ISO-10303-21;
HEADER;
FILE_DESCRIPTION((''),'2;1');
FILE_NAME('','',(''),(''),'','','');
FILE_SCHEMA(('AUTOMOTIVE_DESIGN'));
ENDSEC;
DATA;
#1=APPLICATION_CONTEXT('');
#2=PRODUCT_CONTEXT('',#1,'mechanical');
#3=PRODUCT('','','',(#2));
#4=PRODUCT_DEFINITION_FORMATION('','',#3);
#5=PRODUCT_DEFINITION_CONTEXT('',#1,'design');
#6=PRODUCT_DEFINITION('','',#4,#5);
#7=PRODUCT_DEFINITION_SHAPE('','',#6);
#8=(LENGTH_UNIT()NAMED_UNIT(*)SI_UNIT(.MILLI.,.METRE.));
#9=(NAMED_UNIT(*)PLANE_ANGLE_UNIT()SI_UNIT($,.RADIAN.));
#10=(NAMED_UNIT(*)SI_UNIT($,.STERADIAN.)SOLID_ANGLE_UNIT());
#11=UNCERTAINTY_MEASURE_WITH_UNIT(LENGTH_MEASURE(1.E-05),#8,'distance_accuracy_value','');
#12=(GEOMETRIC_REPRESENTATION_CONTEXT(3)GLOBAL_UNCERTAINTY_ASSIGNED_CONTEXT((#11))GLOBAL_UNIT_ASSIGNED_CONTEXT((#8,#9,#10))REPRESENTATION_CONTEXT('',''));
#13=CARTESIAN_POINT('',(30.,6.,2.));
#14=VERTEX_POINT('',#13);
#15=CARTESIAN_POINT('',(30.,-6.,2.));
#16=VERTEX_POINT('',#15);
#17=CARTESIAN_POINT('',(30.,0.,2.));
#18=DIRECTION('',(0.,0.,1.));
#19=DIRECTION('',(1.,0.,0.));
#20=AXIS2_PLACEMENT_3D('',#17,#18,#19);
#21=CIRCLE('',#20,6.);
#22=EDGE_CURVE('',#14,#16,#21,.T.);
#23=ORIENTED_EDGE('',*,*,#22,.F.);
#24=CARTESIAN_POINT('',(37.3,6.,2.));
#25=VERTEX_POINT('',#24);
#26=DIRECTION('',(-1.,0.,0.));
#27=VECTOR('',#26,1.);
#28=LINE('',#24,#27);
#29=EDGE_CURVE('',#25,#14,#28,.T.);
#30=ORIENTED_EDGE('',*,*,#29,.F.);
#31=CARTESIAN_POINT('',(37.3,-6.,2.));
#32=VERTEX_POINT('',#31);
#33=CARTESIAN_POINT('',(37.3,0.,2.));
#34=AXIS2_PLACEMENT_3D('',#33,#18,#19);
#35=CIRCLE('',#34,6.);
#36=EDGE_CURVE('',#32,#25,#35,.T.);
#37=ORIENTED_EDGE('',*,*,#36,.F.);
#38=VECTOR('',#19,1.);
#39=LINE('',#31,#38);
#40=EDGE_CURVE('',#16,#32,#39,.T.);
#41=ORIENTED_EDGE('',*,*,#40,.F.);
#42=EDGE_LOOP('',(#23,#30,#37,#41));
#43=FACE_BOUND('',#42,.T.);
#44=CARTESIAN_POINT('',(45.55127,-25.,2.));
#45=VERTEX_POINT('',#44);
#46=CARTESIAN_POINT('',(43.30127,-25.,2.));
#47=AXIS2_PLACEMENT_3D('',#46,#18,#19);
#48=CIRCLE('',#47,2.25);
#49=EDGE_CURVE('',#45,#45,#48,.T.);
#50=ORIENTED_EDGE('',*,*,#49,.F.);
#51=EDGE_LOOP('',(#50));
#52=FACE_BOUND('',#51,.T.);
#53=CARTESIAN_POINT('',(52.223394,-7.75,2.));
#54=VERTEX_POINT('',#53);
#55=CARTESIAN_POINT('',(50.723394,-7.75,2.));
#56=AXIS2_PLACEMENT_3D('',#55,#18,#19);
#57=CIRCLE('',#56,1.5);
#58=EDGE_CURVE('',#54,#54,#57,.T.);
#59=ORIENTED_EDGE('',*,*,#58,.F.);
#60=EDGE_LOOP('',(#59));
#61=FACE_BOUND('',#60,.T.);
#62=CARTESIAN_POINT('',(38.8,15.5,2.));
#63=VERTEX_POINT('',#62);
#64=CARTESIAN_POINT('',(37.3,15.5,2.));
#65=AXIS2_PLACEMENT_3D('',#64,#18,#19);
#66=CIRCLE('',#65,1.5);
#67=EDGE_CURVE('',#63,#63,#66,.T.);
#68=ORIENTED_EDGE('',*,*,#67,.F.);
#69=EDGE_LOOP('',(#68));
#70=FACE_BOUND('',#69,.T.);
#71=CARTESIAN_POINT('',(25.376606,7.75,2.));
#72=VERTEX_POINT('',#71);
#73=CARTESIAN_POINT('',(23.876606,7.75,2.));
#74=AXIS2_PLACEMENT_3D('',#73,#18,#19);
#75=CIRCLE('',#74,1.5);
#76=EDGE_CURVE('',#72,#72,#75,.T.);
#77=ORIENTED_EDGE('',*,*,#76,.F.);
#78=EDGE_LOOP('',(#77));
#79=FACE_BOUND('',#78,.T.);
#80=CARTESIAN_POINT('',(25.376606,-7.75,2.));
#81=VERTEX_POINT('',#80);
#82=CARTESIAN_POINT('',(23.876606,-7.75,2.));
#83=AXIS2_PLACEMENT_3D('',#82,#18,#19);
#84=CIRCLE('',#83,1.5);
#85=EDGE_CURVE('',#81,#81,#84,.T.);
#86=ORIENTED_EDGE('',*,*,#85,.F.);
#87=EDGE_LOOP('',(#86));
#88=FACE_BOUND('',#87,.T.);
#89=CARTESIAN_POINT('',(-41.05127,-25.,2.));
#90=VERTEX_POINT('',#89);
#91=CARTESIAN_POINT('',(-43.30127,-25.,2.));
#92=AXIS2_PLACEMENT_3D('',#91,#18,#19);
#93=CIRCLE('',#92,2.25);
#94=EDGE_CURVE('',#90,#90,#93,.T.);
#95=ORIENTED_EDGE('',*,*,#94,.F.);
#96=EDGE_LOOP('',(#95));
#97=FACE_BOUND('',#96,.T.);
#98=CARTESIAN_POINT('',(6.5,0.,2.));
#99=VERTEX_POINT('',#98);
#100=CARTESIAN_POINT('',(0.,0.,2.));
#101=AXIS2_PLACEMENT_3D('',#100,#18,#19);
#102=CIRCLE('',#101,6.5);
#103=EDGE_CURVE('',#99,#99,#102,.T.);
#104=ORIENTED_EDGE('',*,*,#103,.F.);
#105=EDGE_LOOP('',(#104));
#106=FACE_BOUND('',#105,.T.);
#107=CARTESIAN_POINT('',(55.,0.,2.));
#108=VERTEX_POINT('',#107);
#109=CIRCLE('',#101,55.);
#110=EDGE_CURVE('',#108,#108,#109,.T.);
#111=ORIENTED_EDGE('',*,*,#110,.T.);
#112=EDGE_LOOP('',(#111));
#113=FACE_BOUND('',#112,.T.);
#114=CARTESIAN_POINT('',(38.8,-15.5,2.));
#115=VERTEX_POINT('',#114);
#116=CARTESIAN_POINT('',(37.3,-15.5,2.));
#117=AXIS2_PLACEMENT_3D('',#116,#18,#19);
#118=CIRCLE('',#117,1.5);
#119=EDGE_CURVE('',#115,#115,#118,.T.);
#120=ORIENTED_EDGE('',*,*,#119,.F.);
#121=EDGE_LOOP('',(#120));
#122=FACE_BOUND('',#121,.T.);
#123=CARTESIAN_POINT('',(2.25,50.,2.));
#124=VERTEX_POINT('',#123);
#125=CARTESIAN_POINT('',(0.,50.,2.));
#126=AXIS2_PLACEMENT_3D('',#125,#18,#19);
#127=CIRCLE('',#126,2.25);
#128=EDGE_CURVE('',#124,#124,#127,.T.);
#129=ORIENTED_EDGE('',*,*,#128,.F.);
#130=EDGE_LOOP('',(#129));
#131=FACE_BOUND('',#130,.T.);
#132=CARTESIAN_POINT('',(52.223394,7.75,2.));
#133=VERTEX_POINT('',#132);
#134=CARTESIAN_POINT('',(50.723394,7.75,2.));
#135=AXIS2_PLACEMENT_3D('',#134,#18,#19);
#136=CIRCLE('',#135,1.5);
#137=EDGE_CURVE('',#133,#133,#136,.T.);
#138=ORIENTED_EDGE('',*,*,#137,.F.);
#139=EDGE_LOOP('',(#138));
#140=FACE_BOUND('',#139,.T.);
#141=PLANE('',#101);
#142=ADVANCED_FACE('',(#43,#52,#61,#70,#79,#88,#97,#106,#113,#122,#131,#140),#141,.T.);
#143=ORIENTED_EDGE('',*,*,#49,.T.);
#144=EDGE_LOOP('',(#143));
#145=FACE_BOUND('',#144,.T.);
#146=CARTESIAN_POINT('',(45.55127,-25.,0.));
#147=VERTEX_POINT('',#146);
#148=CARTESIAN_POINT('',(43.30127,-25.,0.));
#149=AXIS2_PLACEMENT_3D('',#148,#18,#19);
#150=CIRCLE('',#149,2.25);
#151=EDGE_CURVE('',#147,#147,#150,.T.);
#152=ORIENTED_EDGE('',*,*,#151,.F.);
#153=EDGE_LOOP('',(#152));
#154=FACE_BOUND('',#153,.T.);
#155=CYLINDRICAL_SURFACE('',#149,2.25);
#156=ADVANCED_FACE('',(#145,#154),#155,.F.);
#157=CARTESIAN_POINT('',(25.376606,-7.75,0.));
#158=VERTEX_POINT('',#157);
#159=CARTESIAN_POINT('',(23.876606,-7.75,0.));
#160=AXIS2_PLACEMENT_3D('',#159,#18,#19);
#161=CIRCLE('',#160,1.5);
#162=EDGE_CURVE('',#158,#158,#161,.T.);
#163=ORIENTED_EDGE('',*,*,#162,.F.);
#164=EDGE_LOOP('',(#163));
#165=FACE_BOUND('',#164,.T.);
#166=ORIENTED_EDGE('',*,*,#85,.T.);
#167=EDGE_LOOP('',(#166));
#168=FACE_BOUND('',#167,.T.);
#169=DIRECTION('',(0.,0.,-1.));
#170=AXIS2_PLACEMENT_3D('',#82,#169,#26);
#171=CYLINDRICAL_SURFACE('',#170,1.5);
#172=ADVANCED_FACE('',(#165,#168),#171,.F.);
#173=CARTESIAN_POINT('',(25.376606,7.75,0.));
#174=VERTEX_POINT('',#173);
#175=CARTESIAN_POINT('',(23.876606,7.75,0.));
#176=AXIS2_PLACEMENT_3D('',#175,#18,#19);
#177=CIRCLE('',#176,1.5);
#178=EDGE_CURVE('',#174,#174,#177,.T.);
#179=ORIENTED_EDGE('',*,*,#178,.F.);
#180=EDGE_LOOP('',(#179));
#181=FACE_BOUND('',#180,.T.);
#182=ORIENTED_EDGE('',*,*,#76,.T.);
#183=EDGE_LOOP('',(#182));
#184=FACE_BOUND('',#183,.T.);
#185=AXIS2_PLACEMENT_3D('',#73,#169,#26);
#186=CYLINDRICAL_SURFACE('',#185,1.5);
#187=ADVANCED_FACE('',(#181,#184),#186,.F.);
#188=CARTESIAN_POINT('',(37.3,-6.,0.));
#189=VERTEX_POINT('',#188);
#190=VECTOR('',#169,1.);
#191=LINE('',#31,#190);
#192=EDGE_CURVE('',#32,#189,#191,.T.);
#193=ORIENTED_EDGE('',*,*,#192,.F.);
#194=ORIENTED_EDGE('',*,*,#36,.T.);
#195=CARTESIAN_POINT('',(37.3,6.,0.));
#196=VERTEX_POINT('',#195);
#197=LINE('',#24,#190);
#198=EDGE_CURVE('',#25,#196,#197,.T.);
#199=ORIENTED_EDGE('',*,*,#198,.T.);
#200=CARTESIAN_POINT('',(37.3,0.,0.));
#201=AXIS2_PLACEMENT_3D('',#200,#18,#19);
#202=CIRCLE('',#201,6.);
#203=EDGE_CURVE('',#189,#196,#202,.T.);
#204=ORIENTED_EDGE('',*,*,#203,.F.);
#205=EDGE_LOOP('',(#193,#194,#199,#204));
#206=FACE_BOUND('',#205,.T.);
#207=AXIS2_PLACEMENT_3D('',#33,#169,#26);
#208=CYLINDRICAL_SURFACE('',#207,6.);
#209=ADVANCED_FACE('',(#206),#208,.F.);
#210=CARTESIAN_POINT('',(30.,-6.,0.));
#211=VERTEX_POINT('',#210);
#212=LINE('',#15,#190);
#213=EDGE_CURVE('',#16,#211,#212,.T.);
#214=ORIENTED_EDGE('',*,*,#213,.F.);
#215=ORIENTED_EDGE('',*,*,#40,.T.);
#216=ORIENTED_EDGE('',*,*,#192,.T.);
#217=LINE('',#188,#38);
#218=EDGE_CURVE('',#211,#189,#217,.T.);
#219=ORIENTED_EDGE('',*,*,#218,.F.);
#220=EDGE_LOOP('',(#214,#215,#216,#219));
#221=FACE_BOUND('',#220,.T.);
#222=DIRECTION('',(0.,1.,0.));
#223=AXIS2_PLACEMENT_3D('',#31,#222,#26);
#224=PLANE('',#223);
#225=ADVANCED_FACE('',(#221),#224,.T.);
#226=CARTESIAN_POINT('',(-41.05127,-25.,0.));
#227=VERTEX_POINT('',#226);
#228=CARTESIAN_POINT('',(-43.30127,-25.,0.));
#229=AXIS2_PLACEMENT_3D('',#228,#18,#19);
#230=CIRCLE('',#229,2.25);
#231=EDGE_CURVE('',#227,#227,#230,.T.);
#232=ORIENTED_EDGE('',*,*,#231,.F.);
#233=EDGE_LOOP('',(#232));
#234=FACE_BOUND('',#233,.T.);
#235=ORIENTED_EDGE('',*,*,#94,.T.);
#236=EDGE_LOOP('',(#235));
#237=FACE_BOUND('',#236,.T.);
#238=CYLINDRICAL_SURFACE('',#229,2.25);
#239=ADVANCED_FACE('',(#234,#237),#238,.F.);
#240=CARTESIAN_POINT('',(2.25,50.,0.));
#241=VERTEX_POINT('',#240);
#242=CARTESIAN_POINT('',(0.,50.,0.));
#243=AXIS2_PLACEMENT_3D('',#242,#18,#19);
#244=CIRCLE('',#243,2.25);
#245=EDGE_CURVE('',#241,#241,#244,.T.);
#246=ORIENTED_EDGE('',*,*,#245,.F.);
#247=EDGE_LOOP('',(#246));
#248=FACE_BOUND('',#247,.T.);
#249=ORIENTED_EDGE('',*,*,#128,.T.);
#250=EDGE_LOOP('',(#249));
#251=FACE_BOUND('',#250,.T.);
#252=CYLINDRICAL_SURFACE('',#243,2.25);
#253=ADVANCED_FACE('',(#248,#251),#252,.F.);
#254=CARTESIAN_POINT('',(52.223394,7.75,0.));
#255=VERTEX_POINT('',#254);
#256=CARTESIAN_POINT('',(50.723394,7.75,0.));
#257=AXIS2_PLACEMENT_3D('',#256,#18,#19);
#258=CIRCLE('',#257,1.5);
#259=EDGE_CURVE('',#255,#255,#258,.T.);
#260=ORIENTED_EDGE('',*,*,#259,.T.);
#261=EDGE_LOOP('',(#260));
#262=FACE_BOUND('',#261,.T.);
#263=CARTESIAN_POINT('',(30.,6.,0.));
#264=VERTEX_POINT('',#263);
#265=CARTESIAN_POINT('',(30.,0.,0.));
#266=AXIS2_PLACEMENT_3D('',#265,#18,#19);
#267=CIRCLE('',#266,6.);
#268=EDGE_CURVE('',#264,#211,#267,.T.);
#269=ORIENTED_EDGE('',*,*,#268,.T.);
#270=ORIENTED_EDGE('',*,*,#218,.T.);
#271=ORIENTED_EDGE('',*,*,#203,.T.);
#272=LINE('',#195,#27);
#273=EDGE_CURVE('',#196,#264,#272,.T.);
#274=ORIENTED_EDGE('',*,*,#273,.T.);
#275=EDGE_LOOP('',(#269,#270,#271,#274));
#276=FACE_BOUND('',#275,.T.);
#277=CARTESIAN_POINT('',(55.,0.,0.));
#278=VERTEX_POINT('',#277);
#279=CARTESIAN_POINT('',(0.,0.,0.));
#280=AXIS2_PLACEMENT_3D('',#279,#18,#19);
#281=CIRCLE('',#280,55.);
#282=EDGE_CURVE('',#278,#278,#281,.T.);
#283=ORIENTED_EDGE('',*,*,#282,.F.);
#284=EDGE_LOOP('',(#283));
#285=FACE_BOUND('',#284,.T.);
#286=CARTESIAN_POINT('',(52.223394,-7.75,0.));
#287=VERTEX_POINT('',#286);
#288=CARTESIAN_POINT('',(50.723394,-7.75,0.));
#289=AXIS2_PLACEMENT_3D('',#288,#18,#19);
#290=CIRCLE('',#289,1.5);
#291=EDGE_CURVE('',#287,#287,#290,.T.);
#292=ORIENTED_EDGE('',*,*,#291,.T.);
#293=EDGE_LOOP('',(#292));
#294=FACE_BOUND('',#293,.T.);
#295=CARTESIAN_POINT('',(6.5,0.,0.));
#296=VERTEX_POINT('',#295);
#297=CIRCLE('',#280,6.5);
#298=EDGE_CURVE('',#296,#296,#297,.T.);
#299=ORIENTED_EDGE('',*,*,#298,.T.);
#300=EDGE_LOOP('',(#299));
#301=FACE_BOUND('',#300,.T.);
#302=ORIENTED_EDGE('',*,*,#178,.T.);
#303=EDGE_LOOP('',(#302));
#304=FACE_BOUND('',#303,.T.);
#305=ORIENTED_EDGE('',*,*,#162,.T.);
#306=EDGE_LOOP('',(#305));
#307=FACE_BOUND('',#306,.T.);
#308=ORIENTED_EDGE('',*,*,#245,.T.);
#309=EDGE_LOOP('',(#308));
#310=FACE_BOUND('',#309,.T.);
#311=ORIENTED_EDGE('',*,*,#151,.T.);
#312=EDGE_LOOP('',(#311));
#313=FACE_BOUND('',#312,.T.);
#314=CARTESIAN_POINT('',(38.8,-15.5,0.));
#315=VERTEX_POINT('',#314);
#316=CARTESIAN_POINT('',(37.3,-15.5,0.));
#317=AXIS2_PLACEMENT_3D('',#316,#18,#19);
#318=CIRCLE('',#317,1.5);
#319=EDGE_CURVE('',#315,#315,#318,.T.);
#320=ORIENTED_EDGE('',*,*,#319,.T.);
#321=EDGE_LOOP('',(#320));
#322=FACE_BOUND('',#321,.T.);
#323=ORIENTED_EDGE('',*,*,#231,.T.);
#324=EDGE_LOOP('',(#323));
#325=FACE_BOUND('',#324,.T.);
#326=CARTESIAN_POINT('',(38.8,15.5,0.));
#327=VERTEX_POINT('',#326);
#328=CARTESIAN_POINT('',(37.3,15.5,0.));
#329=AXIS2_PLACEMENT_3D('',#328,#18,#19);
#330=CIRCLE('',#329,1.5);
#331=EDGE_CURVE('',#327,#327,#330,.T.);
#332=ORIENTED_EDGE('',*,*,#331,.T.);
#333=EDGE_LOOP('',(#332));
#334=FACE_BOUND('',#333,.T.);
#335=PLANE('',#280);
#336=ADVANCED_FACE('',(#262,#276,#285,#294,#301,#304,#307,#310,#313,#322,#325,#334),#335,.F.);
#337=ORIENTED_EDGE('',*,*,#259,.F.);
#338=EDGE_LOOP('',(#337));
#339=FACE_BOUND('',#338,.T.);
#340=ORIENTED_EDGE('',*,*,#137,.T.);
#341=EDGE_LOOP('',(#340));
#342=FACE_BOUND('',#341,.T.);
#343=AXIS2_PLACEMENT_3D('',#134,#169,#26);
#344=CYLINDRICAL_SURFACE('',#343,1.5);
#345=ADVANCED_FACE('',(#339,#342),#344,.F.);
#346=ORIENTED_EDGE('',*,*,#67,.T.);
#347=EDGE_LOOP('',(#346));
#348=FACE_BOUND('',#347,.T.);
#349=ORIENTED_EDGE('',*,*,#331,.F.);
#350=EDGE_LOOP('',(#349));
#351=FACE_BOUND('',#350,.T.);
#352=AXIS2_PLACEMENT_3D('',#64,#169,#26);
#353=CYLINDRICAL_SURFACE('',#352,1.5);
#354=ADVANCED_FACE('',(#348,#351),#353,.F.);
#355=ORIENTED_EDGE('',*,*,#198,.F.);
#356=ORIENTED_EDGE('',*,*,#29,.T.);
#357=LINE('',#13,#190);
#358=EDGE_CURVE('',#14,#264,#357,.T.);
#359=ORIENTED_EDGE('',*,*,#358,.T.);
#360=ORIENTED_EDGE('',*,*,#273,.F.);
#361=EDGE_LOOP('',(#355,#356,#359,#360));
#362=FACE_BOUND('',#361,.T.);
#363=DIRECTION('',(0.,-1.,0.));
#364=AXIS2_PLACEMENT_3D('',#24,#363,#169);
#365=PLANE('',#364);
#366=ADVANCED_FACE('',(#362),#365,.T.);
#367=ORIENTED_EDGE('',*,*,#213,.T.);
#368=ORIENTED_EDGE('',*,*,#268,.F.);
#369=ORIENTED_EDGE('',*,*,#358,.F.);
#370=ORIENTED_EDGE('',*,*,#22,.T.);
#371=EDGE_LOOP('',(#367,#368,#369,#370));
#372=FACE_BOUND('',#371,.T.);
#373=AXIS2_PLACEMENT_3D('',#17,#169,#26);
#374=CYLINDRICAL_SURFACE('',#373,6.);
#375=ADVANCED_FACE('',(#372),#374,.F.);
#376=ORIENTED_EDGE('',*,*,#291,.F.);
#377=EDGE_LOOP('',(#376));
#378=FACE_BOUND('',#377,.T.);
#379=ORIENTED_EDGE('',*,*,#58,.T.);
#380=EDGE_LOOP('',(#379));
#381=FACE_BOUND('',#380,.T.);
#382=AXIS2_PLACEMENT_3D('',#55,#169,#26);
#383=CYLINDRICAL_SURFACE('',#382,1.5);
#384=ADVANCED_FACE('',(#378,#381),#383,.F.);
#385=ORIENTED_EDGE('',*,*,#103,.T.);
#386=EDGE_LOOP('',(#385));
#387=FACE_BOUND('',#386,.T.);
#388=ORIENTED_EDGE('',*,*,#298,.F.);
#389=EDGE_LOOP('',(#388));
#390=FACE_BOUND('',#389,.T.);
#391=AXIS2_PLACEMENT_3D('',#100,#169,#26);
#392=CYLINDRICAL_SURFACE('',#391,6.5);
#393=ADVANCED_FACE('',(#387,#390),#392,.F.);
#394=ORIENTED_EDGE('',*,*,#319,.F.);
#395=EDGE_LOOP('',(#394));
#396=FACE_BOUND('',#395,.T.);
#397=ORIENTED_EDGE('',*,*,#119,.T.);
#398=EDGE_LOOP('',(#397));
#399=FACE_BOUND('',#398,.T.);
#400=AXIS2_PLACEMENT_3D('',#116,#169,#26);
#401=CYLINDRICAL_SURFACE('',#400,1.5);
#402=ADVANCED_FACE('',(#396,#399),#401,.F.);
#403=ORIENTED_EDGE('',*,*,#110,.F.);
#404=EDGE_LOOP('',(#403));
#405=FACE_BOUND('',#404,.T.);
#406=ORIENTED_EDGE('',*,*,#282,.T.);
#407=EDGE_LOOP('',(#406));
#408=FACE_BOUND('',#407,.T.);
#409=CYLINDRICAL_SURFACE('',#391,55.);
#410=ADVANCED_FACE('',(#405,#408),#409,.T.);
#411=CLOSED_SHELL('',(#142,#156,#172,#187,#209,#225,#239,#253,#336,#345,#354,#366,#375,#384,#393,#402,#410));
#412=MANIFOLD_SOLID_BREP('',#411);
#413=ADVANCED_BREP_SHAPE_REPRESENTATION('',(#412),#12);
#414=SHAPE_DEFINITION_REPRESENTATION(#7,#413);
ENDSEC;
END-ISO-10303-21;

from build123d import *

# Parameters (mm, degrees)
SKETCH_1_R          = 55
SKETCH_1_R_2        = 1.5
SKETCH_1_R_3        = 6.5
EXTRUDE_1_DEPTH     = 2
SKETCH_3_R          = 2.25
CUT_EXTRUDE_1_DEPTH = 78.807454656


with BuildPart() as part:
    # 草图1 → 凸台-拉伸1 (new body)
    with BuildSketch(Plane.XY):
        Circle(SKETCH_1_R)
        with Locations((37.3, 15.5)):
            Circle(SKETCH_1_R_2, mode=Mode.SUBTRACT)
        with Locations((50.723393759, 7.75)):
            Circle(SKETCH_1_R_2, mode=Mode.SUBTRACT)
        with Locations((50.723393759, -7.75)):
            Circle(SKETCH_1_R_2, mode=Mode.SUBTRACT)
        with Locations((37.3, -15.5)):
            Circle(SKETCH_1_R_2, mode=Mode.SUBTRACT)
        with Locations((23.876606241, -7.75)):
            Circle(SKETCH_1_R_2, mode=Mode.SUBTRACT)
        with Locations((23.876606241, 7.75)):
            Circle(SKETCH_1_R_2, mode=Mode.SUBTRACT)
        Circle(SKETCH_1_R_3, mode=Mode.SUBTRACT)
        with BuildLine():
            Line((37.3, -6), (30, -6))
            ThreePointArc((30, -6), (24, 0), (30, 6))
            Line((30, 6), (37.3, 6))
            ThreePointArc((37.3, 6), (43.3, 0), (37.3, -6))
        make_face(mode=Mode.SUBTRACT)
    extrude(amount=EXTRUDE_1_DEPTH)

    # 草图3 → 切除-拉伸1 (cut, through all)
    with BuildSketch(Plane.XY.offset(2)):
        with Locations((0, 50)):
            Circle(SKETCH_3_R)
        with Locations((43.301270189, -25)):
            Circle(SKETCH_3_R)
        with Locations((-43.301270189, -25)):
            Circle(SKETCH_3_R)
    extrude(amount=-CUT_EXTRUDE_1_DEPTH, mode=Mode.SUBTRACT)


solid = part.part
